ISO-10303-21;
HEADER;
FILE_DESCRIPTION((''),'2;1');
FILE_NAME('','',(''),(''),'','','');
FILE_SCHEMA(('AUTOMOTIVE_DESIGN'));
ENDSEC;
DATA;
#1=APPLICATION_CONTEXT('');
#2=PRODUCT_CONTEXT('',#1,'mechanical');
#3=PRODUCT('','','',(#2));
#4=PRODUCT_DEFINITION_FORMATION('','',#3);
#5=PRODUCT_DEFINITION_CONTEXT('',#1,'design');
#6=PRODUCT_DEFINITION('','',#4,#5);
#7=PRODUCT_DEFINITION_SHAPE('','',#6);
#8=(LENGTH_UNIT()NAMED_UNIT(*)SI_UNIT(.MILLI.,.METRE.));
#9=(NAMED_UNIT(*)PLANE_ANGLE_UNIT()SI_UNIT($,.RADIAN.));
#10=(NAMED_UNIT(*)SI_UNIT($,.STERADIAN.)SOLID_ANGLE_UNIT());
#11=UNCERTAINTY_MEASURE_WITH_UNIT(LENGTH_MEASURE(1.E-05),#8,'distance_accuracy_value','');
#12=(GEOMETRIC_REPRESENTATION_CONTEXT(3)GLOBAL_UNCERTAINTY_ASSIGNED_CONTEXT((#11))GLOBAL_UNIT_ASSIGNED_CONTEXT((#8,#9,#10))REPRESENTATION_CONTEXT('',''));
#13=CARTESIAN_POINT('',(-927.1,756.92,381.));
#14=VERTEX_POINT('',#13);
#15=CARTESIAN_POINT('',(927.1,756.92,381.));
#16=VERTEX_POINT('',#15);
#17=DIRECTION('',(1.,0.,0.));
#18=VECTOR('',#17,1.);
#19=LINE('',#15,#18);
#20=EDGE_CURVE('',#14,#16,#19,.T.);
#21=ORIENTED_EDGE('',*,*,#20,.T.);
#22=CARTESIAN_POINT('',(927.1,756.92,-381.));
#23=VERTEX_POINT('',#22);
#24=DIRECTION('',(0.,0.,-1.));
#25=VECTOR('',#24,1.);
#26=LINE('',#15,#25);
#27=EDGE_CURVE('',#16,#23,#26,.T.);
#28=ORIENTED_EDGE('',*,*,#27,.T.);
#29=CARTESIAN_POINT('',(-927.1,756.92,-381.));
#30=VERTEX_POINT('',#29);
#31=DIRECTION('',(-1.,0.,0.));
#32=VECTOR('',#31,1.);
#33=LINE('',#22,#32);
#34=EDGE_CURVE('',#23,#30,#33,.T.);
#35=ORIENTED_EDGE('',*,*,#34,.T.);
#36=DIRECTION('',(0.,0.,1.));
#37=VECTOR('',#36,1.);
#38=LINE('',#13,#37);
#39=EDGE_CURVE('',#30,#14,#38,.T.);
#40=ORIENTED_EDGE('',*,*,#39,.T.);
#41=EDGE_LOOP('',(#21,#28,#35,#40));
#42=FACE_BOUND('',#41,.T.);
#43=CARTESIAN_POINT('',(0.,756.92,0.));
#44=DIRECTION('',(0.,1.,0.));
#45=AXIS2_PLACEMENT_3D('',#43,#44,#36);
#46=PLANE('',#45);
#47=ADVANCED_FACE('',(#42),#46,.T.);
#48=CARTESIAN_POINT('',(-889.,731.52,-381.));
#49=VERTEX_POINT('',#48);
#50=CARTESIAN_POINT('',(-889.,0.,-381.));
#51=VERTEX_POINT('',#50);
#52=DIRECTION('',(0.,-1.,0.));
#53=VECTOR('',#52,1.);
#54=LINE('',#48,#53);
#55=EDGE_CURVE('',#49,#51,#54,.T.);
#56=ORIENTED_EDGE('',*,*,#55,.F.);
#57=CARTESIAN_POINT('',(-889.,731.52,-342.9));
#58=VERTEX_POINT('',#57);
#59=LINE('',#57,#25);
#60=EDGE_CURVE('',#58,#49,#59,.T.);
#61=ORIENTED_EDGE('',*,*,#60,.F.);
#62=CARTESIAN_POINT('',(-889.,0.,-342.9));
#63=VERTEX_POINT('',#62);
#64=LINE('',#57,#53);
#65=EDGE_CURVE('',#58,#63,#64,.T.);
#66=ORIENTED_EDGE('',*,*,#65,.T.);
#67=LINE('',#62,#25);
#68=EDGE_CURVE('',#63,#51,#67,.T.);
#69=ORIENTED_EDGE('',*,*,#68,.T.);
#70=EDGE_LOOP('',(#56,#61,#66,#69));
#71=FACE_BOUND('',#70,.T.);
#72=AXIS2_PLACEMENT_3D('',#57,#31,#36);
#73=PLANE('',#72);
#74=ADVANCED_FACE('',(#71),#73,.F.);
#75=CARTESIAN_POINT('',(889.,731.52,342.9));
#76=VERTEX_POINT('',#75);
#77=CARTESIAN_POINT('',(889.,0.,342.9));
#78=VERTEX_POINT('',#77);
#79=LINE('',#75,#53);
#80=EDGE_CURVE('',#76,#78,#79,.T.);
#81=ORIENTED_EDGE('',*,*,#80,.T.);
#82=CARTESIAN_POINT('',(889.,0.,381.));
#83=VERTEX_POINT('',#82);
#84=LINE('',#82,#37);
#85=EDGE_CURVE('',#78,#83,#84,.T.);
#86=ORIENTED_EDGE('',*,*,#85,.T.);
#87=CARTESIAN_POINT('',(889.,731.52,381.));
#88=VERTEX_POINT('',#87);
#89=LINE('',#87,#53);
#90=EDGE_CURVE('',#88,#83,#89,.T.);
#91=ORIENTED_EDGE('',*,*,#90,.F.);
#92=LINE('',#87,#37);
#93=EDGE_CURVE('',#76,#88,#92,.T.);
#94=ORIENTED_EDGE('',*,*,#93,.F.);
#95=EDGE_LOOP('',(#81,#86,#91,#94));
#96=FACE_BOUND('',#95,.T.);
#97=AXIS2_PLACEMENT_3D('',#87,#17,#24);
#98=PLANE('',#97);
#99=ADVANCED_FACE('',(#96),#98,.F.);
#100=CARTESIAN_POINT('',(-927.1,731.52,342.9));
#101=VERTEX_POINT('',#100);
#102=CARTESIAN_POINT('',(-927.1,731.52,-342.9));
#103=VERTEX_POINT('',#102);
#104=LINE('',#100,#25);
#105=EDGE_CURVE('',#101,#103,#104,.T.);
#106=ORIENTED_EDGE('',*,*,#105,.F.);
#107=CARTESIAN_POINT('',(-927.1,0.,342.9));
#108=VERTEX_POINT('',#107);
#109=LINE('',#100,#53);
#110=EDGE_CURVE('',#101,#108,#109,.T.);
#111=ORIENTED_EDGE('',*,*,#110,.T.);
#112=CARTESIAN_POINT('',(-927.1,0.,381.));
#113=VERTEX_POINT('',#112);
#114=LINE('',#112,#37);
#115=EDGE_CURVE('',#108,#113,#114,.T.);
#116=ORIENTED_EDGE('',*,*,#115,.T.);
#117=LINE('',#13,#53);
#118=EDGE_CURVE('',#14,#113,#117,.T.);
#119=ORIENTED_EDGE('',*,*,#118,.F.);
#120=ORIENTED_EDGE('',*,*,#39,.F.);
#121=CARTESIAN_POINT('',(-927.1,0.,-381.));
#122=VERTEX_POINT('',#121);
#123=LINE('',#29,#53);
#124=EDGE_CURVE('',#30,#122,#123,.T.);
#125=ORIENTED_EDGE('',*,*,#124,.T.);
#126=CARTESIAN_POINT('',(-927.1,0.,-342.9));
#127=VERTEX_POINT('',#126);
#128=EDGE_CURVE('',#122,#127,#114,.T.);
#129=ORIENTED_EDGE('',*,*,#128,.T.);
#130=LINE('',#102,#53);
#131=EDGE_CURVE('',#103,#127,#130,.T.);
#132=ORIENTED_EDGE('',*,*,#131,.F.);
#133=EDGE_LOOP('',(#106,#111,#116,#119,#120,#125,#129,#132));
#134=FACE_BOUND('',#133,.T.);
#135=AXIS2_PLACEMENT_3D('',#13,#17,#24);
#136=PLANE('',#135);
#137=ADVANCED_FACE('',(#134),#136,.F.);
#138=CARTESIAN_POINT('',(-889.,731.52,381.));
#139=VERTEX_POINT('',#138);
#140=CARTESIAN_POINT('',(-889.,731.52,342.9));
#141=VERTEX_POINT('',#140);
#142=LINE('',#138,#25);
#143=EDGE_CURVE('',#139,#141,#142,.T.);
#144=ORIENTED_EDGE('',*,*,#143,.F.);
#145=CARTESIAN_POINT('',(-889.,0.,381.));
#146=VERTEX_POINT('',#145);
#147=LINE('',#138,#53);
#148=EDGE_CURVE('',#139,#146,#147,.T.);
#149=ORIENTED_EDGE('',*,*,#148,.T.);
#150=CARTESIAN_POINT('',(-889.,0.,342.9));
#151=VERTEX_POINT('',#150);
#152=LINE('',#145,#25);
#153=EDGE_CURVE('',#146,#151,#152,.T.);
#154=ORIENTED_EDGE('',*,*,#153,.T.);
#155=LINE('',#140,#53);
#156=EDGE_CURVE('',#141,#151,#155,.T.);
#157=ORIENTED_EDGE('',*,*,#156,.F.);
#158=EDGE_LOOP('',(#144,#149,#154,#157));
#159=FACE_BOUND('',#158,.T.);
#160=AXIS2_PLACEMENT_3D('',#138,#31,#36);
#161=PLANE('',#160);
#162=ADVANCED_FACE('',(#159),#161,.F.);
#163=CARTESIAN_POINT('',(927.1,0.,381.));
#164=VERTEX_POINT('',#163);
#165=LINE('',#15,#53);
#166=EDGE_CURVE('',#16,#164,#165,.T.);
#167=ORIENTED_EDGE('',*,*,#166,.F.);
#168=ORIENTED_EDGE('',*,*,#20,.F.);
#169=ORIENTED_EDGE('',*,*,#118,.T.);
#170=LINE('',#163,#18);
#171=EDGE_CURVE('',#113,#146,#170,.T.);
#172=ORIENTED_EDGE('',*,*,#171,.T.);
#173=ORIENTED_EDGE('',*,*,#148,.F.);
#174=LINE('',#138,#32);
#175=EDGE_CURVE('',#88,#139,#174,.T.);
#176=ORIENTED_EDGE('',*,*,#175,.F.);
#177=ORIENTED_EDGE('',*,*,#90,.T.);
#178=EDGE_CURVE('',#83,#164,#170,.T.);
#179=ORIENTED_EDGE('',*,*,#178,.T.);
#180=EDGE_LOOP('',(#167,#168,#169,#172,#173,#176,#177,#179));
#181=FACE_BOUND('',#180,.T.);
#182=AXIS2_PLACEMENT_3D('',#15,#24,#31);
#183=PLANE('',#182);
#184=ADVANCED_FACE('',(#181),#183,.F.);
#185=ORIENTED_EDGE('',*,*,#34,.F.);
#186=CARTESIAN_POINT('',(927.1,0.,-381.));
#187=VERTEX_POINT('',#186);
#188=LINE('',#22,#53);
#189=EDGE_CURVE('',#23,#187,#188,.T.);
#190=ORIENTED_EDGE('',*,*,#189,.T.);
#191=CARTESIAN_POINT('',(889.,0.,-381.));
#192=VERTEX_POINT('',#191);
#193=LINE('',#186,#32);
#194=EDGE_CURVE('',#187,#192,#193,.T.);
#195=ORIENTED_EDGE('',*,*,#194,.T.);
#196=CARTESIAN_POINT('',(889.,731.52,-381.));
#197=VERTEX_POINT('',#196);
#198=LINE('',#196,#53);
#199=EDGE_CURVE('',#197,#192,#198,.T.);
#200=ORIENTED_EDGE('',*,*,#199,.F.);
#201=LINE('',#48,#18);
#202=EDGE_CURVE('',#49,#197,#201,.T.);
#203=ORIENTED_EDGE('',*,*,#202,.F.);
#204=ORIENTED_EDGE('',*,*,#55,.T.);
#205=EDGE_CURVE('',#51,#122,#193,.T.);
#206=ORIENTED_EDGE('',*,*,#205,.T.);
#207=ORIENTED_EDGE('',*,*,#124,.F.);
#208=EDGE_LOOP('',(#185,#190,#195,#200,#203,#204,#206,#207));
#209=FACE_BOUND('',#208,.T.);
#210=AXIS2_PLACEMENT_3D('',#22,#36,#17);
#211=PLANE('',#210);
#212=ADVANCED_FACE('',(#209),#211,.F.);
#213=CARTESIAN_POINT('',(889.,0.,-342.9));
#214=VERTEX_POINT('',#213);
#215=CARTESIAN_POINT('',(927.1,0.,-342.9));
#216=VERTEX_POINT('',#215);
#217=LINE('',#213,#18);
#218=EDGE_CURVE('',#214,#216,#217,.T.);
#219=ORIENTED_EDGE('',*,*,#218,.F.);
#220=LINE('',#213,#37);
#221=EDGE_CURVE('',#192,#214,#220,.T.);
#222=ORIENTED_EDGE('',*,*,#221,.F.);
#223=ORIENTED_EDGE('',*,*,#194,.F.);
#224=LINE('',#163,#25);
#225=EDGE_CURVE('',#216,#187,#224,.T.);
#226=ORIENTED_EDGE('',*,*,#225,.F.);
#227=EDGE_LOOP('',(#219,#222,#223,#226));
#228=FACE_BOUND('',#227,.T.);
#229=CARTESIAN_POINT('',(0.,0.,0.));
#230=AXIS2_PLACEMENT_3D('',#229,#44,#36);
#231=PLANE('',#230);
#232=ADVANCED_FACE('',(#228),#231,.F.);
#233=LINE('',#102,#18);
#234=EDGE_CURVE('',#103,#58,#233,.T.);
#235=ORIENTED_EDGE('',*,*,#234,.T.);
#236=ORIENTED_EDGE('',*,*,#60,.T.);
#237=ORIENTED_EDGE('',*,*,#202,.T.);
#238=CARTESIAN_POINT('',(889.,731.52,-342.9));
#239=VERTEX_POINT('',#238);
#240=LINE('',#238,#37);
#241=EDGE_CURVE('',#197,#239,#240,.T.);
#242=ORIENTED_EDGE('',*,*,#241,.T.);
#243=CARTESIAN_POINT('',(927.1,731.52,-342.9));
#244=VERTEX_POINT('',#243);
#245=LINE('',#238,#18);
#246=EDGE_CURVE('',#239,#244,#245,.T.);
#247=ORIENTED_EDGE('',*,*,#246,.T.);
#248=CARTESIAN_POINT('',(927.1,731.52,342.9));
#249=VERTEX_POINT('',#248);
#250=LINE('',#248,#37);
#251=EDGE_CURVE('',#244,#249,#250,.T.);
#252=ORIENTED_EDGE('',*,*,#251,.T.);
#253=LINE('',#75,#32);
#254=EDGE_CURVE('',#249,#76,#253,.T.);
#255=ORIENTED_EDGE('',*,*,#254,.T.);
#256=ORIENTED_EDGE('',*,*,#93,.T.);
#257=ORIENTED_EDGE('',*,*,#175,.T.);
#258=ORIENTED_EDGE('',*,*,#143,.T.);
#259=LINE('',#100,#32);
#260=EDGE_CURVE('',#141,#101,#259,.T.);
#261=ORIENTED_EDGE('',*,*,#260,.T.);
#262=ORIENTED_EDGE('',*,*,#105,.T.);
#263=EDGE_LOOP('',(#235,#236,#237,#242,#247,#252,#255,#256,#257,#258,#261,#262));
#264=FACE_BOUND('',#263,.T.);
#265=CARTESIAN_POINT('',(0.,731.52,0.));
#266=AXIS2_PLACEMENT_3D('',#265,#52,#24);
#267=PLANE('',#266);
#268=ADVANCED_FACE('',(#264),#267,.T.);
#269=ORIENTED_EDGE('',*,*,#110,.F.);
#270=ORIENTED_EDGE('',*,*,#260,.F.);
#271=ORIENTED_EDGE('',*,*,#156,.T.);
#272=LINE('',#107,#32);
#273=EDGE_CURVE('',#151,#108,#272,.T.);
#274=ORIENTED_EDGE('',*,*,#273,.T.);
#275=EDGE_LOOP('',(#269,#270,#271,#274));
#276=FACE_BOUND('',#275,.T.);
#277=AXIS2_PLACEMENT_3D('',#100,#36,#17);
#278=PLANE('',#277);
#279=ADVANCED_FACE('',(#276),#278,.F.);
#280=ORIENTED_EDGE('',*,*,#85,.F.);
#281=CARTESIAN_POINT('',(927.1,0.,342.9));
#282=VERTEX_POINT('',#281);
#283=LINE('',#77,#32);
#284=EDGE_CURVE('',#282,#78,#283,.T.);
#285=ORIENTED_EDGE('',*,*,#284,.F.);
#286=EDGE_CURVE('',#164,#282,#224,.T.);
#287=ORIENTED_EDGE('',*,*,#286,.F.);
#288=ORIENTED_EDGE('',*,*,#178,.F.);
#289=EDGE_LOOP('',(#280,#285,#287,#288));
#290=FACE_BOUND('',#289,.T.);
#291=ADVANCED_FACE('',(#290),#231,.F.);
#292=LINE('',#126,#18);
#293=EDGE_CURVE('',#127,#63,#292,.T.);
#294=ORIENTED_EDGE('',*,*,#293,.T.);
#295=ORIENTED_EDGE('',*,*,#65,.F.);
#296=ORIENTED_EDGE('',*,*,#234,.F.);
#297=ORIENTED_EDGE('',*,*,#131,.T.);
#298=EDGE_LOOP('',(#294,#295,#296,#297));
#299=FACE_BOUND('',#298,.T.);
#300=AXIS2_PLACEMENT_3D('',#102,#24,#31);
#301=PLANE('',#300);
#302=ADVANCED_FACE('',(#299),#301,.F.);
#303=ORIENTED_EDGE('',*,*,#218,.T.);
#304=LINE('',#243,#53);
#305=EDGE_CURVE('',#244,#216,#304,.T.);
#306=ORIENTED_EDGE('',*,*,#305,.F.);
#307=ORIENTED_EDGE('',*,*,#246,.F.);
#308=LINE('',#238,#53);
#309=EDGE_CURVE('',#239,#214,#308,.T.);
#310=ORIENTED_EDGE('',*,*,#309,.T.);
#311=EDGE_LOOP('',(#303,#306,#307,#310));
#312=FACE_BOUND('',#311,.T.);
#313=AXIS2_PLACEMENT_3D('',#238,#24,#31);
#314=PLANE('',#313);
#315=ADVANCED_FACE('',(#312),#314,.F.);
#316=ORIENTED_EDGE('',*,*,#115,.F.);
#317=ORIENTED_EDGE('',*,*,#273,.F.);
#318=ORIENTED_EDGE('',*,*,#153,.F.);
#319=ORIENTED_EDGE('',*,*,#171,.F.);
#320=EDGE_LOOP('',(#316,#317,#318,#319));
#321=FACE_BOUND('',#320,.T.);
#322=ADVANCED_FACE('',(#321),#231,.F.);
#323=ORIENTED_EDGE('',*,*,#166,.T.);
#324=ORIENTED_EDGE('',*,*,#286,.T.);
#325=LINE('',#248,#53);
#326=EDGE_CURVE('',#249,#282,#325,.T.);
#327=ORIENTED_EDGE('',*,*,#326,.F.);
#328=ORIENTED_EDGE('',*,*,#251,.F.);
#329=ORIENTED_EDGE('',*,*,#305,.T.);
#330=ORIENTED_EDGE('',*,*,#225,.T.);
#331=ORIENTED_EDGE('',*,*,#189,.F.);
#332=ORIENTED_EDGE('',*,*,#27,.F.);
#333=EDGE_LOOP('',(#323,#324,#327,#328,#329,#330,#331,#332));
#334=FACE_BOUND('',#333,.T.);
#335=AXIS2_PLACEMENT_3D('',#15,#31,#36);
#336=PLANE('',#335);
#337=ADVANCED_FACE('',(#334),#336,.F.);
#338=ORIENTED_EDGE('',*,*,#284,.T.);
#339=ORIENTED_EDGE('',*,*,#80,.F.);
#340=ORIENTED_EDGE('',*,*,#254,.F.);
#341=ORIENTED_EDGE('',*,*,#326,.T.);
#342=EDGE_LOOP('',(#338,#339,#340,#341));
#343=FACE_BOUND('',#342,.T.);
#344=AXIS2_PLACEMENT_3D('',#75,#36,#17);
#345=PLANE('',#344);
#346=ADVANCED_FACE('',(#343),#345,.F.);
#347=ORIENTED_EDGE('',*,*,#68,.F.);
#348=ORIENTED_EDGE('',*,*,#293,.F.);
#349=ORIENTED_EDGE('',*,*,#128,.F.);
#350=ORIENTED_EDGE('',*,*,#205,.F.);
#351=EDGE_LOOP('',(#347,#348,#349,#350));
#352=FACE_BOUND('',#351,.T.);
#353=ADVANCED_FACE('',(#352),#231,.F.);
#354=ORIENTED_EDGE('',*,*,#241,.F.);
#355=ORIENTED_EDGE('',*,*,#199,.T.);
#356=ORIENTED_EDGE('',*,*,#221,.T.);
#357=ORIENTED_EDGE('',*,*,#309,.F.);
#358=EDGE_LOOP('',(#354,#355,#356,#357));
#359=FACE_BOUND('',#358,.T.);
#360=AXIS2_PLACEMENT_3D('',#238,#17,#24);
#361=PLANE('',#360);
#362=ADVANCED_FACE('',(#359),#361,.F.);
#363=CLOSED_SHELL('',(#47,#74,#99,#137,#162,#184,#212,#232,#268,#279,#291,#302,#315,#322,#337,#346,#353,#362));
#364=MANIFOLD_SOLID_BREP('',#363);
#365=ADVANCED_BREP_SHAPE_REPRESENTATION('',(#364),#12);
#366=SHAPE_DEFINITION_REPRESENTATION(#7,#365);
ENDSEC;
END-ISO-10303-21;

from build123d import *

# Parameters (mm, degrees)
SKETCH1_W           = 1854.2
SKETCH1_H           = 762
BOSS_EXTRUDE1_DEPTH = 756.92
CUT_EXTRUDE1_DEPTH  = 731.52


with BuildPart() as part:
    # Sketch1 → Boss-Extrude1 (new body)
    with BuildSketch(Plane(origin=(0, 0, 0), x_dir=(1, 0, 0), z_dir=(0, 1, 0))):
        Rectangle(SKETCH1_W, SKETCH1_H)
    extrude(amount=BOSS_EXTRUDE1_DEPTH)

    # Sketch2 → Cut-Extrude1 (cut)
    with BuildSketch(Plane.XZ):
        Polygon((-889, 381), (889, 381), (889, 342.9), (927.1, 342.9), (927.1, -342.9), (889, -342.9), (889, -381), (-889, -381), (-889, -342.9), (-927.1, -342.9), (-927.1, 342.9), (-889, 342.9), align=None)
    extrude(amount=-CUT_EXTRUDE1_DEPTH, mode=Mode.SUBTRACT)


solid = part.part
